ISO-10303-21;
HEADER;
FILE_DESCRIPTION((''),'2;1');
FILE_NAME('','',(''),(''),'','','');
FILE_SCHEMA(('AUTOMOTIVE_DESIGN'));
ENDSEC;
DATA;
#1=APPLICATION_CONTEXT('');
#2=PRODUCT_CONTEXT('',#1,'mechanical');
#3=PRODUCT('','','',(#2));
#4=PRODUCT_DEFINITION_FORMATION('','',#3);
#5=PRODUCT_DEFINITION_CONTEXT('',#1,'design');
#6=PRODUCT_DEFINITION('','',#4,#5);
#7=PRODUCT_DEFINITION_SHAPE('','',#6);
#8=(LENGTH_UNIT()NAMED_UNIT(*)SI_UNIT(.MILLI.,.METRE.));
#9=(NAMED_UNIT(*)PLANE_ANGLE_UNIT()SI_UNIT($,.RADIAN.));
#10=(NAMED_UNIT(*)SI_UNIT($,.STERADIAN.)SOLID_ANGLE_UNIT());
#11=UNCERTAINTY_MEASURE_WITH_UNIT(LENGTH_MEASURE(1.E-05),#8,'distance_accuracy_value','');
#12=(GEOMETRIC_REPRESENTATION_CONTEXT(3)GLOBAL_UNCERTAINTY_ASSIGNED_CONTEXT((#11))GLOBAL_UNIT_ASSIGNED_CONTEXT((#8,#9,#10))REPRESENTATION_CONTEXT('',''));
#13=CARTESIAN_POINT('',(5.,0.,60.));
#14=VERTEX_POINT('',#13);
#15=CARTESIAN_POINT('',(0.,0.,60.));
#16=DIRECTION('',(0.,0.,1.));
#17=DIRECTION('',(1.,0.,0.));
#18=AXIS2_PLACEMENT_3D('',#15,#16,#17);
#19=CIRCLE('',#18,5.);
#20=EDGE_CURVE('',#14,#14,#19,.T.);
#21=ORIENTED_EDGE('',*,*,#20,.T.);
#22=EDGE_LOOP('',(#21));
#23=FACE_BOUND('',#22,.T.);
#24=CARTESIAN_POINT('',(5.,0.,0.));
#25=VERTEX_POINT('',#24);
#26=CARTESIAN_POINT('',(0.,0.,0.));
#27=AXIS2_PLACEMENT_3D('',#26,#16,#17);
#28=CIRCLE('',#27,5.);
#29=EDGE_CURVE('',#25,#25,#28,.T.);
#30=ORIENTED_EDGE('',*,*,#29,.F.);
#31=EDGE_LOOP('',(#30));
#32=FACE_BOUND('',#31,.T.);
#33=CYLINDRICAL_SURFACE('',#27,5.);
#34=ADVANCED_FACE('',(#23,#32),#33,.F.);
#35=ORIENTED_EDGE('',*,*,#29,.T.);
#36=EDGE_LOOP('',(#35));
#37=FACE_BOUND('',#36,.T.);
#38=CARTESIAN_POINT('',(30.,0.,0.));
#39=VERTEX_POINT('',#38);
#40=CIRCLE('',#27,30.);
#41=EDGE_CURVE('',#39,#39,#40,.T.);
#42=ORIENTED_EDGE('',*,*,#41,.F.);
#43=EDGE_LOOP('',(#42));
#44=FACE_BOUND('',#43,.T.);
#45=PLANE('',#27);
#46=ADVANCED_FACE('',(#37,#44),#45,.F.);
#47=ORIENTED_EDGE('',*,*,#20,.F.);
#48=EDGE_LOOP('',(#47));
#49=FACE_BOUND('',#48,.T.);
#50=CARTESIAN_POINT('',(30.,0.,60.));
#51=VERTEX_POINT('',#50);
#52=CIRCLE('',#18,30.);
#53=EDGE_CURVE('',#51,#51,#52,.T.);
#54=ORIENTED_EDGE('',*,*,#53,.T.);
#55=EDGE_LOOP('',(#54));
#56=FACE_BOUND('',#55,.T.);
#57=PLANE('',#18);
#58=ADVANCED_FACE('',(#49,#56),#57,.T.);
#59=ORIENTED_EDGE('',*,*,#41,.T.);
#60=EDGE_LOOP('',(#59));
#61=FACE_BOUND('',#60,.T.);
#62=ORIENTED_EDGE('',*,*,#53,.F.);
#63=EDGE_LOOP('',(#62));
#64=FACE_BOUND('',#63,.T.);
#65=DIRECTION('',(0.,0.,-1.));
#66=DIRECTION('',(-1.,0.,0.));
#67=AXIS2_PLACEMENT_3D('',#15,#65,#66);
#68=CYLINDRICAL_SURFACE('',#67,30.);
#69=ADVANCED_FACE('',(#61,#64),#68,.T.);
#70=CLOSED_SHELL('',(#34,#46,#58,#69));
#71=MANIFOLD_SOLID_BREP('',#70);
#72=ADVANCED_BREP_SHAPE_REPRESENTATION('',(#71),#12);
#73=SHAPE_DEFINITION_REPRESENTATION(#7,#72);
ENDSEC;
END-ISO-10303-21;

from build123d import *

# Parameters (mm, degrees)
ESQUISSE1_R             = 30
BOSS_EXTRU_1_DEPTH      = 60
ESQUISSE2_R             = 5
ENL_V_MAT_EXTRU_1_DEPTH = 60


with BuildPart() as part:
    # Esquisse1 → Boss.-Extru.1 (new body)
    with BuildSketch(Plane.XY):
        Circle(ESQUISSE1_R)
    extrude(amount=BOSS_EXTRU_1_DEPTH)

    # Esquisse2 → Enlèv. mat.-Extru.1 (cut)
    with BuildSketch(Plane.XY.offset(60)):
        Circle(ESQUISSE2_R)
    extrude(amount=-ENL_V_MAT_EXTRU_1_DEPTH, mode=Mode.SUBTRACT)


solid = part.part
